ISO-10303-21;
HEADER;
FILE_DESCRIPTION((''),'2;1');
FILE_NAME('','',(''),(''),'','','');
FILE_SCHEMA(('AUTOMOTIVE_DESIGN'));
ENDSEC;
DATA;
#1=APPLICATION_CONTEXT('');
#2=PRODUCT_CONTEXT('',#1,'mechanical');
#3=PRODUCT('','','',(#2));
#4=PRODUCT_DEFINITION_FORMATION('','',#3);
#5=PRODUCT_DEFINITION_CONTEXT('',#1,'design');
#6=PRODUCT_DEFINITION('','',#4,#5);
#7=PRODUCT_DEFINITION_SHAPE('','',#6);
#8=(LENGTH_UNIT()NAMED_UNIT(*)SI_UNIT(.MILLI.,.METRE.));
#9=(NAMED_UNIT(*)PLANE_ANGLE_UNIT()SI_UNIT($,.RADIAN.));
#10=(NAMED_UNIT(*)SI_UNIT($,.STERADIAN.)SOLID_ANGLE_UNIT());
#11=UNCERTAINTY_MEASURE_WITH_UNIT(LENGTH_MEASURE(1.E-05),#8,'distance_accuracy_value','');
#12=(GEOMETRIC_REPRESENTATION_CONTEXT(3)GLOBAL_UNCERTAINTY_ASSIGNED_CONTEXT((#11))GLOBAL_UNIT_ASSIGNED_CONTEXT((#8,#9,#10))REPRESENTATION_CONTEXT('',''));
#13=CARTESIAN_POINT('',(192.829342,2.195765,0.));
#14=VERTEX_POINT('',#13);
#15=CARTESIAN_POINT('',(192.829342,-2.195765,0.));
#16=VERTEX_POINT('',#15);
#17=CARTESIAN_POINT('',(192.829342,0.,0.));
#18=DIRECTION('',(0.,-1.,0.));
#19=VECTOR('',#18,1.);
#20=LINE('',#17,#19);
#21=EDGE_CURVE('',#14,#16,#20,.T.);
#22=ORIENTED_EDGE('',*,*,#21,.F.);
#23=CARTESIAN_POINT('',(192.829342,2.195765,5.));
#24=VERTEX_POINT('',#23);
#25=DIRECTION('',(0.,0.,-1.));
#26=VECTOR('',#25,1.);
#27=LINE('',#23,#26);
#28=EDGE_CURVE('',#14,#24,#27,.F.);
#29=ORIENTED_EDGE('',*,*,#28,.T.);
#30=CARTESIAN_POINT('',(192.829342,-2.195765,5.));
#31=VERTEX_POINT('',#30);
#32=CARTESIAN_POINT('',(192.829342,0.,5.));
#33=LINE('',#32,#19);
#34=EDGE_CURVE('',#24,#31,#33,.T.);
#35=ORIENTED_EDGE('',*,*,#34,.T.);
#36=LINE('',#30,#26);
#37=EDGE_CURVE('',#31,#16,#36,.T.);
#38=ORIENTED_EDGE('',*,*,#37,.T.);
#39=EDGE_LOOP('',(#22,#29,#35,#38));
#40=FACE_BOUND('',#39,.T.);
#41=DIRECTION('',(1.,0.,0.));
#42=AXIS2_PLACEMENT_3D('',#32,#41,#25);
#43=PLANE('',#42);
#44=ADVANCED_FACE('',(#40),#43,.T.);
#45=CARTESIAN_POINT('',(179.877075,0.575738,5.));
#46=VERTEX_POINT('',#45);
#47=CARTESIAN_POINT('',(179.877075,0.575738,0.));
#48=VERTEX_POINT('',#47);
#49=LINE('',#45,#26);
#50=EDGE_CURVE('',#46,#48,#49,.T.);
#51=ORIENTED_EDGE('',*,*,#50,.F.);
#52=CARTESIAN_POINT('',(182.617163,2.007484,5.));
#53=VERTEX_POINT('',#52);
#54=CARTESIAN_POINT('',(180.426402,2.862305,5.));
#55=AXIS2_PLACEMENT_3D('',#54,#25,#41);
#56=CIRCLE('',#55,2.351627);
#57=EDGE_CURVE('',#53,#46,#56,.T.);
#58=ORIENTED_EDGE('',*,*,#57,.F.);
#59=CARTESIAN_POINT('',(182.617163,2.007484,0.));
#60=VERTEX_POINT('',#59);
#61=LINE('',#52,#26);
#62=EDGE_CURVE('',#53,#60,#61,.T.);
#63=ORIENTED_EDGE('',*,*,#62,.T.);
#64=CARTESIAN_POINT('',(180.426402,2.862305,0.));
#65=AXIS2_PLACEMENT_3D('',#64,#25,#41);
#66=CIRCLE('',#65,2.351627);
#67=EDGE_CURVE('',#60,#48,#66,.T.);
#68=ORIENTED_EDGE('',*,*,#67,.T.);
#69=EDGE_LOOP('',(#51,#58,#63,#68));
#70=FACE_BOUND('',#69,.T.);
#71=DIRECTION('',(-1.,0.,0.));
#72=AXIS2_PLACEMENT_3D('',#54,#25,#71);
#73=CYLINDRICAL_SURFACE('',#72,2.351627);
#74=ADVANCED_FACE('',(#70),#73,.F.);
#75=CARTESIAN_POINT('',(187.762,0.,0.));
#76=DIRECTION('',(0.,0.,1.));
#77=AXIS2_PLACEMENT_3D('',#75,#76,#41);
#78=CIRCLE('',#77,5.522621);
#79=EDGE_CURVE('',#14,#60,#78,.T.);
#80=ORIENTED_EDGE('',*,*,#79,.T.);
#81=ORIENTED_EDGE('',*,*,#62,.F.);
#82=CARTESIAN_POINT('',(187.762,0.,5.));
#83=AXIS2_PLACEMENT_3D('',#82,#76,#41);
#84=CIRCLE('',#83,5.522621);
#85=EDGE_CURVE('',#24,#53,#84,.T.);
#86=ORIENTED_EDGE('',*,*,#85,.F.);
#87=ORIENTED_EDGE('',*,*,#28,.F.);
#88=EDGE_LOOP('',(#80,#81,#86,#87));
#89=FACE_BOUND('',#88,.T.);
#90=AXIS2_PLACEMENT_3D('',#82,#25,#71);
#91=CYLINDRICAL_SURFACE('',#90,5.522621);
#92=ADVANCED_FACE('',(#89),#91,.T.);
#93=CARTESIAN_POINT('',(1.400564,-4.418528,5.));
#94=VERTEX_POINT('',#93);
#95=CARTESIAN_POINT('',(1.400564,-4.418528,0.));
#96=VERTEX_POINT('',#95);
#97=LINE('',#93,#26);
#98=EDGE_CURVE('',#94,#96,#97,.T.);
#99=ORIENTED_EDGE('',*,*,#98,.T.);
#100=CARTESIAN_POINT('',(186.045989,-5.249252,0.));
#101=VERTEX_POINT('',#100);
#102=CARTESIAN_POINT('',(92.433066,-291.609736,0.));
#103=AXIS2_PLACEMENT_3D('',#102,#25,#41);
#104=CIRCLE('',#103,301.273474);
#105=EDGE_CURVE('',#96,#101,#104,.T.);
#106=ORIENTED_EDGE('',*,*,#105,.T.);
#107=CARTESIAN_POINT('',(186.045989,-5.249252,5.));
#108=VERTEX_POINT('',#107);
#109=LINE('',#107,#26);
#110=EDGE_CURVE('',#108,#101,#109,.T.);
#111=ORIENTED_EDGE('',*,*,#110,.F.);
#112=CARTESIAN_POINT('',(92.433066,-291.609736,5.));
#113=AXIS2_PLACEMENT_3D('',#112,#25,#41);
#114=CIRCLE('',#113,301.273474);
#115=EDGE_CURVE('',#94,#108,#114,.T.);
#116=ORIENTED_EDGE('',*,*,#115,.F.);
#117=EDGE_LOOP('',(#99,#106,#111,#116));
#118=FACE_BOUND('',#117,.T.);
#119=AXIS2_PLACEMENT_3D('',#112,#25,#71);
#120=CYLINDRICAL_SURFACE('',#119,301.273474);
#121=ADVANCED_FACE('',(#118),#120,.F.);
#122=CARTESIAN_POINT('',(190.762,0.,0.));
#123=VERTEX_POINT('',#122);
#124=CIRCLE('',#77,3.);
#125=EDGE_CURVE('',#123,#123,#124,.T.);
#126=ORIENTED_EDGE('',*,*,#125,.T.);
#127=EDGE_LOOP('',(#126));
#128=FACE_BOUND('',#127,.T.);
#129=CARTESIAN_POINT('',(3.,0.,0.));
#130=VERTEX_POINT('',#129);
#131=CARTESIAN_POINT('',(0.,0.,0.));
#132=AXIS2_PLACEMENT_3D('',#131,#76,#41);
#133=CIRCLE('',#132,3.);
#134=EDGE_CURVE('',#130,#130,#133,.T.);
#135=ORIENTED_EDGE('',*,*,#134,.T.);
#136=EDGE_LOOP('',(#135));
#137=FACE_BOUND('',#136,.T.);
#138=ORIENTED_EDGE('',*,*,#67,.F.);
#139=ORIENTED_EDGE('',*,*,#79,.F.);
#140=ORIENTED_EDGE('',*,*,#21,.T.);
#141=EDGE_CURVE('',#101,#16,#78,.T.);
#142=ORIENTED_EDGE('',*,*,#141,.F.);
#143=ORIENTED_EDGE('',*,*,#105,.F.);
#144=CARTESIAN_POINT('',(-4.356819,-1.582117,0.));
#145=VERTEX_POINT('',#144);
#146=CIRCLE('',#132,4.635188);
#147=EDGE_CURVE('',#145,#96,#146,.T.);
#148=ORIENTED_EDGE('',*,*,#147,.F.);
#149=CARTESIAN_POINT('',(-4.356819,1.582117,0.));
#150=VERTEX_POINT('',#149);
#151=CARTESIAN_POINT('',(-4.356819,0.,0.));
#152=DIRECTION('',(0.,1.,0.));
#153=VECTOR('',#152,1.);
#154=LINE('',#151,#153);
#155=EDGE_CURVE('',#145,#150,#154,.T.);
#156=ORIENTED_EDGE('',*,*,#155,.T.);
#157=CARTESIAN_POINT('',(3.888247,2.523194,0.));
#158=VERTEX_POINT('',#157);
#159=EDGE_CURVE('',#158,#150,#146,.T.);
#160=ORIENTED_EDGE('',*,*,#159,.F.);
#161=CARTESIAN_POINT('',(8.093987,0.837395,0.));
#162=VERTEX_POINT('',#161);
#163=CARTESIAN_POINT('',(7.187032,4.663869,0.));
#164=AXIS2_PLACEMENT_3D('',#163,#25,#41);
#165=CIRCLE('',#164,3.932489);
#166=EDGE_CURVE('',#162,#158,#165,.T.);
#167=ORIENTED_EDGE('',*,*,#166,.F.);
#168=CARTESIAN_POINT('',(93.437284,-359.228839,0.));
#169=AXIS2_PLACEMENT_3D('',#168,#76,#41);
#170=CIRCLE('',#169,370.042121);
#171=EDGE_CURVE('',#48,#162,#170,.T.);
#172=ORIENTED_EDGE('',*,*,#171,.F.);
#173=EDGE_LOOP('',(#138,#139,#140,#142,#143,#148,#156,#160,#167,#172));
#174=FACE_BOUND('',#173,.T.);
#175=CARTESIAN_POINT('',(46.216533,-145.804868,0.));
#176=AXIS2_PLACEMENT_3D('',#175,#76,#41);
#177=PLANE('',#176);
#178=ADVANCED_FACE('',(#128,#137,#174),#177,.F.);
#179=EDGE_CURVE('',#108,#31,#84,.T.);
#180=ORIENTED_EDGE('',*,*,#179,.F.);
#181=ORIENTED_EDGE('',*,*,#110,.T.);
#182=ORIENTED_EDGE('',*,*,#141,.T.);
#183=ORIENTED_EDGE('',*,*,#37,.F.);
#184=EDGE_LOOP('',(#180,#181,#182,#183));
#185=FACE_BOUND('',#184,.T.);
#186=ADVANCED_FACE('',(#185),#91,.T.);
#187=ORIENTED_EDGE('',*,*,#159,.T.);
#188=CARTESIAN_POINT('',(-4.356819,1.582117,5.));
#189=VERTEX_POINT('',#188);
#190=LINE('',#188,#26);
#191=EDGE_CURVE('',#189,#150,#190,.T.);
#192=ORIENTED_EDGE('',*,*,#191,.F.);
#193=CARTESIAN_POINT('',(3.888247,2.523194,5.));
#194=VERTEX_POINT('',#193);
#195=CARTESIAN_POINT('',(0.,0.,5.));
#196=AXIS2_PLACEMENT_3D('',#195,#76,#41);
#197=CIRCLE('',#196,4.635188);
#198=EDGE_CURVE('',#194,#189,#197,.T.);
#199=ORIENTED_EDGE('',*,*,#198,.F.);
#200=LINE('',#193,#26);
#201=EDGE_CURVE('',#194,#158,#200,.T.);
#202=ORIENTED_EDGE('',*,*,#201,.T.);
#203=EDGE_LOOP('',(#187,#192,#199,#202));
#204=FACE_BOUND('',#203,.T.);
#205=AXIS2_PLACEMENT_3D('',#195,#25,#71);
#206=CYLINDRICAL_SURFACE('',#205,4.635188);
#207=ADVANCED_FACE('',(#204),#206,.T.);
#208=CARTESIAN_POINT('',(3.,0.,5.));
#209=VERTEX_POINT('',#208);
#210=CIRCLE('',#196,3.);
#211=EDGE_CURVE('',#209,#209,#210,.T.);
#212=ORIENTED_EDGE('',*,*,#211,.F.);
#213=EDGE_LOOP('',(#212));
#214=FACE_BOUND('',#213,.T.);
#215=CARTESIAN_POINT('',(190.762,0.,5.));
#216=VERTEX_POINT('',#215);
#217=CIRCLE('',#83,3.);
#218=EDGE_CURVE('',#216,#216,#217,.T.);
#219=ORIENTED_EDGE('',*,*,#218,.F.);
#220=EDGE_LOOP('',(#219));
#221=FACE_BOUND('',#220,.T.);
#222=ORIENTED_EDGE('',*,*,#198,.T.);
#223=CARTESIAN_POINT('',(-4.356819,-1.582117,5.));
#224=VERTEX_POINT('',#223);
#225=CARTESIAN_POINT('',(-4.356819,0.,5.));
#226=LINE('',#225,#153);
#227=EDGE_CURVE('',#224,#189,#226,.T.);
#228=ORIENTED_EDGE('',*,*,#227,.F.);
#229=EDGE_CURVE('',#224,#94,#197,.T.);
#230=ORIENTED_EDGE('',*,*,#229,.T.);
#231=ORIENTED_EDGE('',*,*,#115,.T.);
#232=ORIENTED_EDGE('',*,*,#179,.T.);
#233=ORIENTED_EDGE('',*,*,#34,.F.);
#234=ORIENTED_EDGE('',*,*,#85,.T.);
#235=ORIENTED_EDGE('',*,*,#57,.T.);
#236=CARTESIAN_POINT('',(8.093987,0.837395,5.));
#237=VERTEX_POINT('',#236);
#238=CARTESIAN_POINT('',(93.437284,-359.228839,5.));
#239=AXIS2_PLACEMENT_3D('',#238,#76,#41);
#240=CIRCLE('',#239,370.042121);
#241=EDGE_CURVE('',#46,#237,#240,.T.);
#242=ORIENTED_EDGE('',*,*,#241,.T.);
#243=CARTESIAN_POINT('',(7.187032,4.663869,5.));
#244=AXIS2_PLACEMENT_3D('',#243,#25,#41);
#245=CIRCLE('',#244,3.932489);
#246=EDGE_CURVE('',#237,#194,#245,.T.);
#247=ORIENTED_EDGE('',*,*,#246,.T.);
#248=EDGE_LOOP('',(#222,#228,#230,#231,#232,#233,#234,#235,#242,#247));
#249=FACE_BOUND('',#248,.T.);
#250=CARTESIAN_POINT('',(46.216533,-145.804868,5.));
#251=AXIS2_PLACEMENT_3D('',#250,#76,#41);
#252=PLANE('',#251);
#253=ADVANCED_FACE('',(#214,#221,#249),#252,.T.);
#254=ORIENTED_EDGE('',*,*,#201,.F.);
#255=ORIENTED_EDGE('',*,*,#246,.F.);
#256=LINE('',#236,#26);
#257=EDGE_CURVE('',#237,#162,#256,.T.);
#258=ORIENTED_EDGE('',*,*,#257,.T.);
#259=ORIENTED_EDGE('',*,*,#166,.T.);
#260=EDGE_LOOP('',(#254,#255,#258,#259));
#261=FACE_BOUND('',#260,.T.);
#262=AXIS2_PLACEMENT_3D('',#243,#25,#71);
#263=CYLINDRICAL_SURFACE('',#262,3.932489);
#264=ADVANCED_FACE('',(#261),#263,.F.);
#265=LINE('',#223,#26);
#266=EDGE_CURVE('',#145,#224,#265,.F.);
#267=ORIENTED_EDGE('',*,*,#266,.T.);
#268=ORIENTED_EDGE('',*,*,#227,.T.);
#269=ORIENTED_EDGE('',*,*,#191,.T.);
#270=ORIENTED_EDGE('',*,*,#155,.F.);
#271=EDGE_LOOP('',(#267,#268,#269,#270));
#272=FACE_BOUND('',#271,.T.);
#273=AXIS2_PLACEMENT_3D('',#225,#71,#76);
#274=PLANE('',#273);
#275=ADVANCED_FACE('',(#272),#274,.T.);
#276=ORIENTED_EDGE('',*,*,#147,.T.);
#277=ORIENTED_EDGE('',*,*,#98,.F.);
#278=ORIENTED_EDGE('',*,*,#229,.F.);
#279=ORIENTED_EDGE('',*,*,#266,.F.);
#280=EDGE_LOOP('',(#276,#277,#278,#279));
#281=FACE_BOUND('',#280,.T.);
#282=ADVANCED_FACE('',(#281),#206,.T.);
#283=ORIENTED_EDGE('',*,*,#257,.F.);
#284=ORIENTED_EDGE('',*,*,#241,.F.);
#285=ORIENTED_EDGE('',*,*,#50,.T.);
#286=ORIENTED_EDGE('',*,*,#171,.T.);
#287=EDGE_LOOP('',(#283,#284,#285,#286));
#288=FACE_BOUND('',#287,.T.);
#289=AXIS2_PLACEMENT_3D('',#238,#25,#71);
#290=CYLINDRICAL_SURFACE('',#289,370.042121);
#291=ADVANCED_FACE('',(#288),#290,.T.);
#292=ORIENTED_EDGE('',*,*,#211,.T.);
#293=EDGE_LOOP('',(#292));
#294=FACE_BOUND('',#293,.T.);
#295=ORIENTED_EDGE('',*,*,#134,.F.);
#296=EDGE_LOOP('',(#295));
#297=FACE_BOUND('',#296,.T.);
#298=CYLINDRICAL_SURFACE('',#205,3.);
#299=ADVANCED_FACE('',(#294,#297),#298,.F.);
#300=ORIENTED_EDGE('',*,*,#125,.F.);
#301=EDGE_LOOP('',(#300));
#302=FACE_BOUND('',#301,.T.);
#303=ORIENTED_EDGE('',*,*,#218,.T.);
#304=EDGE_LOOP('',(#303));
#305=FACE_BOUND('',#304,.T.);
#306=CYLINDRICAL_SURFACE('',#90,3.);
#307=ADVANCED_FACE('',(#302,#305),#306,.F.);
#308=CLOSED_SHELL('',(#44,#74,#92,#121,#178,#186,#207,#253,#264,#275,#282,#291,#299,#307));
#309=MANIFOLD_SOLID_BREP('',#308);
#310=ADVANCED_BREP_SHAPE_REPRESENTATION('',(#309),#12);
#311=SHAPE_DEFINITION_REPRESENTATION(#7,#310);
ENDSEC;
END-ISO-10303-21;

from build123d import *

# Parameters (mm, degrees)
SZKIC1_R                    = 3.000000079
DODANIE_WYCI_GNI_CIE1_DEPTH = 5
SZKIC2_W                    = 1.618528634
SZKIC2_H                    = 7.505645785
SZKIC2_W_2                  = 0.651830256
SZKIC2_H_2                  = 5.051684483
WYTNIJ_WYCI_GNI_CIE3_DEPTH  = 6


with BuildPart() as part:
    # Szkic1 → Dodanie-wyciągnięcie1 (new body)
    with BuildSketch(Plane.XY):
        with BuildLine():
            ThreePointArc((186.045988776, -5.249251796), (192.755281751, 2.359338104), (182.617163035, 2.007483882))
            ThreePointArc((182.617163035, 2.007483882), (181.515461762, 0.778054457), (179.877075261, 0.575737672))
            ThreePointArc((179.877075261, 0.575737672), (94.000924782, 10.812852228), (8.093986869, 0.837394654))
            ThreePointArc((8.093986869, 0.837394654), (5.723921358, 1.013693466), (3.888246839, 2.523193668))
            ThreePointArc((3.888246839, 2.523193668), (-4.36345679, 1.5637182), (1.40056399, -4.418528067))
            ThreePointArc((1.40056399, -4.418528067), (93.788487806, 9.660689232), (186.045988776, -5.249251796))
        make_face()
        Circle(SZKIC1_R, mode=Mode.SUBTRACT)
        with Locations((187.762, 0)):
            Circle(SZKIC1_R, mode=Mode.SUBTRACT)
    extrude(amount=DODANIE_WYCI_GNI_CIE1_DEPTH)

    # Szkic2 → Wytnij-wyciągnięcie3 (cut, through all)
    with BuildSketch(Plane.XY):
        with Locations((193.638606269, 0.381285041)):
            Rectangle(SZKIC2_W, SZKIC2_H)
        with Locations((-4.682734605, -0.038745932)):
            Rectangle(SZKIC2_W_2, SZKIC2_H_2)
    extrude(amount=WYTNIJ_WYCI_GNI_CIE3_DEPTH, mode=Mode.SUBTRACT)


solid = part.part
